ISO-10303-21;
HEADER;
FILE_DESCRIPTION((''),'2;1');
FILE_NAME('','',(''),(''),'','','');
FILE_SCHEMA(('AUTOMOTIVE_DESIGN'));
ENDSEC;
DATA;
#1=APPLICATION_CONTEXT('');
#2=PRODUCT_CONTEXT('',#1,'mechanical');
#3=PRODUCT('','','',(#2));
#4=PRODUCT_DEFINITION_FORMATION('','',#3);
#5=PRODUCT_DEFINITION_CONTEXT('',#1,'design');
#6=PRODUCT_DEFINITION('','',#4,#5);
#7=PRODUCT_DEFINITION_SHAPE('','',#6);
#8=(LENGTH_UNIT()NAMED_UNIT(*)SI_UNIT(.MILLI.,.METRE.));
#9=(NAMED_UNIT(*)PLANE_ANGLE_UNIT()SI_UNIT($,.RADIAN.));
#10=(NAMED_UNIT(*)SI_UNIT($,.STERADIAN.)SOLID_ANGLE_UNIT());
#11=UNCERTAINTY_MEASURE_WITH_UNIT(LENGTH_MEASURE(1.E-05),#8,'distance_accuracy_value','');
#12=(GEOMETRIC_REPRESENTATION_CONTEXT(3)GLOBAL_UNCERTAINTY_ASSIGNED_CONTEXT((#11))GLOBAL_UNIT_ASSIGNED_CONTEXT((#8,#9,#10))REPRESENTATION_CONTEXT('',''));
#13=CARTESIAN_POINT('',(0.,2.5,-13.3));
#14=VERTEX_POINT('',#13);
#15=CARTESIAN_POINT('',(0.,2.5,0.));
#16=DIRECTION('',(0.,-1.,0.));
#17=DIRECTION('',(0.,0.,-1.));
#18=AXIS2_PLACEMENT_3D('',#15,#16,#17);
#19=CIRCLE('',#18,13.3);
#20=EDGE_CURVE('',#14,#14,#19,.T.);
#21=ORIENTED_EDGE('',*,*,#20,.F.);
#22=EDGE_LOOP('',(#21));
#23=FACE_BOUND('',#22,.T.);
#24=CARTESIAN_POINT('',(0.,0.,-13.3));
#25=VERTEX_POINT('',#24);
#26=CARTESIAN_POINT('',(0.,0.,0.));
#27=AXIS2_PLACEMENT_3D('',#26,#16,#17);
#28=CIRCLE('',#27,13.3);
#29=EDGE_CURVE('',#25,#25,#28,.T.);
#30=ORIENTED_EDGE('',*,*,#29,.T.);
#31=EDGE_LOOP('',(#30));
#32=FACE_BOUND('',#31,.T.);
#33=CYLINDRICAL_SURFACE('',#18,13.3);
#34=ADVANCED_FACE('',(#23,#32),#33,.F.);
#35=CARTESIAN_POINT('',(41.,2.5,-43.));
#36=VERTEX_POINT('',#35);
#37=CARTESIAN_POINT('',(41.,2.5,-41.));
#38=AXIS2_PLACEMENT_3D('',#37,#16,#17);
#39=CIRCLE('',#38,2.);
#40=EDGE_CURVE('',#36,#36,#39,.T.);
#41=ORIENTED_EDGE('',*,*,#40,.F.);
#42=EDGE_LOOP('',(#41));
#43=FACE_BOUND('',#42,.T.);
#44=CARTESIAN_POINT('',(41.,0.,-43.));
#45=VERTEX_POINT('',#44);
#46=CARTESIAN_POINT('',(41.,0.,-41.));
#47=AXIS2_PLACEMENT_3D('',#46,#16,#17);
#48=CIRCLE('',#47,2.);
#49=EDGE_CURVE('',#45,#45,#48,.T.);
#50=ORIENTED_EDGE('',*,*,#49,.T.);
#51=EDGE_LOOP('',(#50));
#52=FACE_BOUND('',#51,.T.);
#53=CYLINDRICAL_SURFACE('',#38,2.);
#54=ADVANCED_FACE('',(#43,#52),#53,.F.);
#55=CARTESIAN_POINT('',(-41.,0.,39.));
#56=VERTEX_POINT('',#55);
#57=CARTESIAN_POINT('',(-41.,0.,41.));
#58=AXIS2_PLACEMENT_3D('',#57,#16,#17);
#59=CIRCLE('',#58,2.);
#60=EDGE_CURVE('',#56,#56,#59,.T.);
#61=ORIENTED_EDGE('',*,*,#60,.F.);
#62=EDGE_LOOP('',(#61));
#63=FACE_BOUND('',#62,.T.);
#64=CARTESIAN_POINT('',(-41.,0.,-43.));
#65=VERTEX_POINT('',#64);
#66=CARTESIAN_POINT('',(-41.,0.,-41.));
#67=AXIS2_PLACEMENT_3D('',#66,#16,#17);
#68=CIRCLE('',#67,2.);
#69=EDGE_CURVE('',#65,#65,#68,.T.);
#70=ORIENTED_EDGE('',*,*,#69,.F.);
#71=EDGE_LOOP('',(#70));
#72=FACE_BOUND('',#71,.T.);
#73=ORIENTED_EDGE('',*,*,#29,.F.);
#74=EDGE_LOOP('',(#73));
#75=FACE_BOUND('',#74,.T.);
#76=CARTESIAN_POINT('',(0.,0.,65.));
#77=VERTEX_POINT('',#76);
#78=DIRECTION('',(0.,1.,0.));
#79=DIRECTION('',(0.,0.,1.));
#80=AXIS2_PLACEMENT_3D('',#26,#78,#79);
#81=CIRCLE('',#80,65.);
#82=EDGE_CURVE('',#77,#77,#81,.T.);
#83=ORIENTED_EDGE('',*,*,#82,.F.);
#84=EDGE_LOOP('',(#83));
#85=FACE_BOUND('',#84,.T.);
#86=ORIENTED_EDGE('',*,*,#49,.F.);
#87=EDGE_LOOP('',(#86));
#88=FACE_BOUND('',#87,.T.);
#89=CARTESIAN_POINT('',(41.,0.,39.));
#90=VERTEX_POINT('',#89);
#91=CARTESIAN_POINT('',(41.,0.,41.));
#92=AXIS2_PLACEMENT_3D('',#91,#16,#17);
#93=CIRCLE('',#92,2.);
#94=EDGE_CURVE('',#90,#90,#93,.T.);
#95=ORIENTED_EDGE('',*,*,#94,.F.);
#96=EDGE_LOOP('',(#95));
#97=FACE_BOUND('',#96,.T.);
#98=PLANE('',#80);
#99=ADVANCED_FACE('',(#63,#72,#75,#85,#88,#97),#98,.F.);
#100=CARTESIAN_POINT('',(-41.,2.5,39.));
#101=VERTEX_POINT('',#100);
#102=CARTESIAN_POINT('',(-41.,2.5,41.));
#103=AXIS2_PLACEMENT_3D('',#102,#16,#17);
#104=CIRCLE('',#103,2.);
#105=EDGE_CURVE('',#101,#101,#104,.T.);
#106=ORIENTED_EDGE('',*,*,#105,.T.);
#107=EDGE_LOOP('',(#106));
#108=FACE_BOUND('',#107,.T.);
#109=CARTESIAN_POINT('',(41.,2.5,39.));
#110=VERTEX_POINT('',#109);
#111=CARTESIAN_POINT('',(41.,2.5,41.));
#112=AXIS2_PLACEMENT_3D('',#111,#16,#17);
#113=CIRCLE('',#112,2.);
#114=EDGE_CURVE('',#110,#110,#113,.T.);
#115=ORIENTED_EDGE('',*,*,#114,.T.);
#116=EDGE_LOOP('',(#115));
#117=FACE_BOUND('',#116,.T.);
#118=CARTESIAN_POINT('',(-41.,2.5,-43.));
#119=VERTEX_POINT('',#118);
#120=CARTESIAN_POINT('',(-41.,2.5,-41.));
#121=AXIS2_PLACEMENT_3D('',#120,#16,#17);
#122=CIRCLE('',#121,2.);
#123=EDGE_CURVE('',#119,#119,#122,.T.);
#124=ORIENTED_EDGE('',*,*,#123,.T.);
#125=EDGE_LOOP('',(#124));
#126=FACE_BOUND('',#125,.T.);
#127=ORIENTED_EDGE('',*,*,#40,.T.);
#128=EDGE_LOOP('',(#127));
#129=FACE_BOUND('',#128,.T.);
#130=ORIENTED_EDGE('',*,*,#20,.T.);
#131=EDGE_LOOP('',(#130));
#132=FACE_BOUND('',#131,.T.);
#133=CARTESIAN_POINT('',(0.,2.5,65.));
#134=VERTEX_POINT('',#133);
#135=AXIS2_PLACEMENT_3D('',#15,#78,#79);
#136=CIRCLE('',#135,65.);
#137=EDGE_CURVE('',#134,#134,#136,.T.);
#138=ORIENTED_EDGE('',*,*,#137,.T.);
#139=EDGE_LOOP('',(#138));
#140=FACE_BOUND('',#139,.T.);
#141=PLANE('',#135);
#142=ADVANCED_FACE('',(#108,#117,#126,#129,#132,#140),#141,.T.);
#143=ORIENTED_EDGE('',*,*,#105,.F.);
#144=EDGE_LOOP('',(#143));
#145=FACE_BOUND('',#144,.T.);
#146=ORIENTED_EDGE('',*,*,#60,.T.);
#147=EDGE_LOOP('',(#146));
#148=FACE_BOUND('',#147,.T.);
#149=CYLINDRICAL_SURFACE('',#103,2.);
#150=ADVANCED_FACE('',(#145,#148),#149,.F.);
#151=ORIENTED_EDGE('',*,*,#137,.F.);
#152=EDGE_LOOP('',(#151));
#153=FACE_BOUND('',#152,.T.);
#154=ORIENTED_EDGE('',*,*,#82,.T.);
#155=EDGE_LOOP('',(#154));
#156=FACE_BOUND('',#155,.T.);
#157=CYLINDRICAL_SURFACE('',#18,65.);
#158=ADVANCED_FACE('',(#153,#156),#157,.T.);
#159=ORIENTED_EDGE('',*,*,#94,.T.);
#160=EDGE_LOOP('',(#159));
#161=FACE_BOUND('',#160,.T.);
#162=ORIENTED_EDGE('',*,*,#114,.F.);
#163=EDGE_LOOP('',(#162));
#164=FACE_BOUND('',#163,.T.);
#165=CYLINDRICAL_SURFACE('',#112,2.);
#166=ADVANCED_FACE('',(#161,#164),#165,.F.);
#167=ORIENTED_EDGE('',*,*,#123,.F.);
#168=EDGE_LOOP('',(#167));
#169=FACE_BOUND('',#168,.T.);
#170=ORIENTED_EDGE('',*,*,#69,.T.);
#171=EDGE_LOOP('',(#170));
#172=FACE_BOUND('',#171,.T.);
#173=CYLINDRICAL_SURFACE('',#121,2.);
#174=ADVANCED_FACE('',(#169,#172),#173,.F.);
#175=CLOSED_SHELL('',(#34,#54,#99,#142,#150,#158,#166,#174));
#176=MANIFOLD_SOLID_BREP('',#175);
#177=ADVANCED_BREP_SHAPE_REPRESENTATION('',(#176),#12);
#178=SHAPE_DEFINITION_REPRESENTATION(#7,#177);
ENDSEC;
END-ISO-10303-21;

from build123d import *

# Parameters (mm, degrees)
SKETCH1_R           = 65
BOSS_EXTRUDE1_DEPTH = 2.5
SKETCH2_R           = 13.3
CUT_EXTRUDE1_DEPTH  = 92.957870789
SKETCH3_R           = 2
CUT_EXTRUDE2_DEPTH  = 92.957870789


with BuildPart() as part:
    # Sketch1 → Boss-Extrude1 (new body)
    with BuildSketch(Plane(origin=(0, 0, 0), x_dir=(1, 0, 0), z_dir=(0, 1, 0))):
        with Locations(Location((0, 0, 0), (0, 0, 270))):
            Circle(SKETCH1_R)
    extrude(amount=BOSS_EXTRUDE1_DEPTH)

    # Sketch2 → Cut-Extrude1 (cut, through all)
    with BuildSketch(Plane.XZ):
        with Locations(Location((0, 0, 0), (0, 0, 270))):
            Circle(SKETCH2_R)
    extrude(amount=-CUT_EXTRUDE1_DEPTH, mode=Mode.SUBTRACT)

    # Sketch3 → Cut-Extrude2 (cut, through all)
    with BuildSketch(Plane.XZ):
        with Locations(Location((-41, 41, 0), (0, 0, 270))):
            Circle(SKETCH3_R)
        with Locations(Location((41, 41, 0), (0, 0, 270))):
            Circle(SKETCH3_R)
        with Locations(Location((41, -41, 0), (0, 0, 270))):
            Circle(SKETCH3_R)
        with Locations(Location((-41, -41, 0), (0, 0, 270))):
            Circle(SKETCH3_R)
    extrude(amount=-CUT_EXTRUDE2_DEPTH, mode=Mode.SUBTRACT)


solid = part.part
